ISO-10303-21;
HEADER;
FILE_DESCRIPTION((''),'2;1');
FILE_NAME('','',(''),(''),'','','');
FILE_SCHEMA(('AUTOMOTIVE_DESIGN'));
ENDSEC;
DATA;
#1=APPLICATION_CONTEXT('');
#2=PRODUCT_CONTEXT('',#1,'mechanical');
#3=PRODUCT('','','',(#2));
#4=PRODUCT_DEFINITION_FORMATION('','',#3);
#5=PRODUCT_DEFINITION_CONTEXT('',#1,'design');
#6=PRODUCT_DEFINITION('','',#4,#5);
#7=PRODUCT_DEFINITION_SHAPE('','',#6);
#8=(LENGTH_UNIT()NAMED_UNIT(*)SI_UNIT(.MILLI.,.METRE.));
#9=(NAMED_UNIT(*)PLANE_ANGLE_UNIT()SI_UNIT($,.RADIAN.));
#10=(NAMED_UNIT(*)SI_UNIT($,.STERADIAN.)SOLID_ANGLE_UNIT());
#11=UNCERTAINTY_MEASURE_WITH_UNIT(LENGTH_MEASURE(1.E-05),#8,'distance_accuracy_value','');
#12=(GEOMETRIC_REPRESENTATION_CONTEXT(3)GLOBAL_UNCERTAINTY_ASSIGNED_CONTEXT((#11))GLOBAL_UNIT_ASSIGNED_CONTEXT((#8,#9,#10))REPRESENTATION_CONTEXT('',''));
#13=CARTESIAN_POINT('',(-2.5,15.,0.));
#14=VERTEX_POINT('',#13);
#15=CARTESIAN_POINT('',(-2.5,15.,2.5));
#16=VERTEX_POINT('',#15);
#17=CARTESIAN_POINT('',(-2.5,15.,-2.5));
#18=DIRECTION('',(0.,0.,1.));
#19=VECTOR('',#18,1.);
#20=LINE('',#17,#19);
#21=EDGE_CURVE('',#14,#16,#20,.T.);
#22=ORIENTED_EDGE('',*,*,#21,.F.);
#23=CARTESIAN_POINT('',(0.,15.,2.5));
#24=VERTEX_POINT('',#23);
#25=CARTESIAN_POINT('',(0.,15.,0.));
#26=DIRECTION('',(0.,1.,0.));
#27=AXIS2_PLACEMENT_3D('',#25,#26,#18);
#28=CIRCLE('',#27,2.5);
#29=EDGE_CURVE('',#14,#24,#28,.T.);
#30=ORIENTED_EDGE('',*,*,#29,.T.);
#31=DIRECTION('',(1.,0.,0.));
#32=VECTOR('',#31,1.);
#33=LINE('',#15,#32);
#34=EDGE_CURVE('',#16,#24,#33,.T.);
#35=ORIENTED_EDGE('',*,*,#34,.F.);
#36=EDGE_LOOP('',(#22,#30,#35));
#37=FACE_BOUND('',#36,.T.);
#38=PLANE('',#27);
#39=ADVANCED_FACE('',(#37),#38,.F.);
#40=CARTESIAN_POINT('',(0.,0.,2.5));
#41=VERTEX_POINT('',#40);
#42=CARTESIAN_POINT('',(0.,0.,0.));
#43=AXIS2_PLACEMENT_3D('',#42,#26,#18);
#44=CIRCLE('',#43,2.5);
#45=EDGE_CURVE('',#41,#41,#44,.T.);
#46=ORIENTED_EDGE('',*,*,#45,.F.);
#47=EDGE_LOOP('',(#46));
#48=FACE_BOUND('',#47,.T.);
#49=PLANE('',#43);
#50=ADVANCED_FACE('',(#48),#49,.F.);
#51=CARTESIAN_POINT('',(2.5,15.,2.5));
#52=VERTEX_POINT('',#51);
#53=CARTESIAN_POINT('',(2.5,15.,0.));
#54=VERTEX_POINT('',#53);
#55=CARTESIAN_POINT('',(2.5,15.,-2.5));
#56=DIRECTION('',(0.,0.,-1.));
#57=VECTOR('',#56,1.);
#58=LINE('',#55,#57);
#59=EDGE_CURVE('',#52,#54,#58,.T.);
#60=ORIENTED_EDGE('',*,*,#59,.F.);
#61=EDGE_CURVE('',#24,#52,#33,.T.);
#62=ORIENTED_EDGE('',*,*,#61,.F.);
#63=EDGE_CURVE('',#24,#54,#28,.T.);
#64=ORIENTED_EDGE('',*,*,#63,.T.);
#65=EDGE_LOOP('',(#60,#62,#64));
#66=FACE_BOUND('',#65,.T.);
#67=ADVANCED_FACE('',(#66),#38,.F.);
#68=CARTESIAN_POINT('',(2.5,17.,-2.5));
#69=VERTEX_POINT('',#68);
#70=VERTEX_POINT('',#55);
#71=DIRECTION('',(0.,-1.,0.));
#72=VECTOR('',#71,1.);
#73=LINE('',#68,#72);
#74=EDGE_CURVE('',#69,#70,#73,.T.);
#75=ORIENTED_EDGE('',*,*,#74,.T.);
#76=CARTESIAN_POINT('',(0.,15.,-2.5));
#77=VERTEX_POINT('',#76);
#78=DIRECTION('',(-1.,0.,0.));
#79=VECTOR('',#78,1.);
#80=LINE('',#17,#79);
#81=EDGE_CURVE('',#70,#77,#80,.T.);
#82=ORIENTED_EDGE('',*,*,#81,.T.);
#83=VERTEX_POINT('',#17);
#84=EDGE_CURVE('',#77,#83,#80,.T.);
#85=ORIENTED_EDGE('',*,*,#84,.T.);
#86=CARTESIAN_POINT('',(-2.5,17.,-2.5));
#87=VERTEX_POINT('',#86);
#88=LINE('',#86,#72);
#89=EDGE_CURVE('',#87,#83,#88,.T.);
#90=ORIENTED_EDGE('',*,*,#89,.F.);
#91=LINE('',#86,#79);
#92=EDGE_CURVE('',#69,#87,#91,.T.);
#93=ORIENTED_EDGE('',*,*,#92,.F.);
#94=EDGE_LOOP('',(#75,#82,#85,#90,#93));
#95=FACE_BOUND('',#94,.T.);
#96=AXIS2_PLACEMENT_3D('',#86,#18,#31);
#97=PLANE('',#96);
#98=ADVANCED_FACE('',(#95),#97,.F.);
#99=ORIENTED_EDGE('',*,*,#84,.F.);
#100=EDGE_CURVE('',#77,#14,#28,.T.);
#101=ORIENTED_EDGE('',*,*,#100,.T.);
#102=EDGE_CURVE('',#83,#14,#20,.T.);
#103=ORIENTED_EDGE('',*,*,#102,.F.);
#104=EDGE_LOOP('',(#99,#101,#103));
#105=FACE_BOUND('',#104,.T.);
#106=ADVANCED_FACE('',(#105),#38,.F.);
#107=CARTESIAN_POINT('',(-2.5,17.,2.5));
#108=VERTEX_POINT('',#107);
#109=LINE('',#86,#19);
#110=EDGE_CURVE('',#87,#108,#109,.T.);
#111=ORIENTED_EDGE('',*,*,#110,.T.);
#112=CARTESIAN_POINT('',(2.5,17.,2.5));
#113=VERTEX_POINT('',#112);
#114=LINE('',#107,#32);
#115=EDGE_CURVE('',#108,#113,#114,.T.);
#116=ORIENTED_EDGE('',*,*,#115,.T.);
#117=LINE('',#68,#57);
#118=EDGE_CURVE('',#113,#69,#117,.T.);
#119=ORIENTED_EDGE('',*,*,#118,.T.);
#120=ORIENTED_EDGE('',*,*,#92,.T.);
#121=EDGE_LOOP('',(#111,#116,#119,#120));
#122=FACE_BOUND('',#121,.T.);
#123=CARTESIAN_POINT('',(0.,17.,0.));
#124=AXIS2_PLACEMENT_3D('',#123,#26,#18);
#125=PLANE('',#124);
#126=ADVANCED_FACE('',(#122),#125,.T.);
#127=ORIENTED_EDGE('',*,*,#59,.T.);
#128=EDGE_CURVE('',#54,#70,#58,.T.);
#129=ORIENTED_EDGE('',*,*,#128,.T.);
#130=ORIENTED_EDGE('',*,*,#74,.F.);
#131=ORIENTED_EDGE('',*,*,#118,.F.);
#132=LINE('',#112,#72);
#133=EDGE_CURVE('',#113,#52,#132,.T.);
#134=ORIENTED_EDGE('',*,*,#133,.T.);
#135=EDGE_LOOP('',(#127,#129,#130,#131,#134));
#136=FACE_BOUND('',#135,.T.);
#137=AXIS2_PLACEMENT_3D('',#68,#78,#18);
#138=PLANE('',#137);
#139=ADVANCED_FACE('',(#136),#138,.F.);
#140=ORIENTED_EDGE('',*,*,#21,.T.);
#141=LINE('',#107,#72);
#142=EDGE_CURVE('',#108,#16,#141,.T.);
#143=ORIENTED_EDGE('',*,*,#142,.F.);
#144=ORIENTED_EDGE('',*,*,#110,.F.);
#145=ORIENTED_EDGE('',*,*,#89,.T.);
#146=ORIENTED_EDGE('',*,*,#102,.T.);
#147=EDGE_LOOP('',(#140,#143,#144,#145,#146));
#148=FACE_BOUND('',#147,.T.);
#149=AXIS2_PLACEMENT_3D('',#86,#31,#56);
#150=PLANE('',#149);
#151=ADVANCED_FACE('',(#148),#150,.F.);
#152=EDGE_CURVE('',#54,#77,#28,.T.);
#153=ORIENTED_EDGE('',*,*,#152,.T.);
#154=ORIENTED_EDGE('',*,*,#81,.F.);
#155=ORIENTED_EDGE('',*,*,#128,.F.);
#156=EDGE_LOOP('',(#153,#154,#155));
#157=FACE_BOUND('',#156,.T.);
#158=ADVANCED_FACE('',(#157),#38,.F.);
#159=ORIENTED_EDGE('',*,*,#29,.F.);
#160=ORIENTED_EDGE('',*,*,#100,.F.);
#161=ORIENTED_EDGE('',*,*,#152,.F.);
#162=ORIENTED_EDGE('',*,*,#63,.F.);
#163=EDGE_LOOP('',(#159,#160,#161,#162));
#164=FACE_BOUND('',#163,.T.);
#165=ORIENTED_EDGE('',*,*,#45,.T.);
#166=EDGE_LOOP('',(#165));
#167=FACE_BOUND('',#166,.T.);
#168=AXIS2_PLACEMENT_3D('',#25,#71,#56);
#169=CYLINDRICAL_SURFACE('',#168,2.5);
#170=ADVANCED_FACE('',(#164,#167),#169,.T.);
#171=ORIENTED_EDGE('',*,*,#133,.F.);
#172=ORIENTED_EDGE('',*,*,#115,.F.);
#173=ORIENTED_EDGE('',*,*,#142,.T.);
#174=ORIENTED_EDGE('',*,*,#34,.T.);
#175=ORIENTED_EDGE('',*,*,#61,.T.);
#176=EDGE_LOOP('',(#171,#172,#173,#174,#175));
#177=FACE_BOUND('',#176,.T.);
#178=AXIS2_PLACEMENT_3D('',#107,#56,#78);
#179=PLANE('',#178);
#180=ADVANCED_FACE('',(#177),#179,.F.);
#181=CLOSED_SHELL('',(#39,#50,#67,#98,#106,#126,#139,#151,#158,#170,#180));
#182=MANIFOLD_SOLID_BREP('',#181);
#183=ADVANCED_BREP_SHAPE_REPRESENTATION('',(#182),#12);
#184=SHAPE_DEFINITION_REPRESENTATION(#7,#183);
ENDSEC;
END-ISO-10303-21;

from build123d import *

# Parameters (mm, degrees)
SKETCH1_R           = 2.5
BOSS_EXTRUDE1_DEPTH = 15
SKETCH2_W           = 5
SKETCH2_H           = 5
BOSS_EXTRUDE2_DEPTH = 2


with BuildPart() as part:
    # Sketch1 → Boss-Extrude1 (new body)
    with BuildSketch(Plane(origin=(0, 0, 0), x_dir=(1, 0, 0), z_dir=(0, 1, 0))):
        with Locations(Location((0, 0, 0), (0, 0, 270))):
            Circle(SKETCH1_R)
    extrude(amount=BOSS_EXTRUDE1_DEPTH)

    # Sketch2 → Boss-Extrude2 (add)
    with BuildSketch(Plane(origin=(0, 15, 0), x_dir=(1, 0, 0), z_dir=(0, 1, 0))):
        Rectangle(SKETCH2_W, SKETCH2_H)
    extrude(amount=BOSS_EXTRUDE2_DEPTH)


solid = part.part
